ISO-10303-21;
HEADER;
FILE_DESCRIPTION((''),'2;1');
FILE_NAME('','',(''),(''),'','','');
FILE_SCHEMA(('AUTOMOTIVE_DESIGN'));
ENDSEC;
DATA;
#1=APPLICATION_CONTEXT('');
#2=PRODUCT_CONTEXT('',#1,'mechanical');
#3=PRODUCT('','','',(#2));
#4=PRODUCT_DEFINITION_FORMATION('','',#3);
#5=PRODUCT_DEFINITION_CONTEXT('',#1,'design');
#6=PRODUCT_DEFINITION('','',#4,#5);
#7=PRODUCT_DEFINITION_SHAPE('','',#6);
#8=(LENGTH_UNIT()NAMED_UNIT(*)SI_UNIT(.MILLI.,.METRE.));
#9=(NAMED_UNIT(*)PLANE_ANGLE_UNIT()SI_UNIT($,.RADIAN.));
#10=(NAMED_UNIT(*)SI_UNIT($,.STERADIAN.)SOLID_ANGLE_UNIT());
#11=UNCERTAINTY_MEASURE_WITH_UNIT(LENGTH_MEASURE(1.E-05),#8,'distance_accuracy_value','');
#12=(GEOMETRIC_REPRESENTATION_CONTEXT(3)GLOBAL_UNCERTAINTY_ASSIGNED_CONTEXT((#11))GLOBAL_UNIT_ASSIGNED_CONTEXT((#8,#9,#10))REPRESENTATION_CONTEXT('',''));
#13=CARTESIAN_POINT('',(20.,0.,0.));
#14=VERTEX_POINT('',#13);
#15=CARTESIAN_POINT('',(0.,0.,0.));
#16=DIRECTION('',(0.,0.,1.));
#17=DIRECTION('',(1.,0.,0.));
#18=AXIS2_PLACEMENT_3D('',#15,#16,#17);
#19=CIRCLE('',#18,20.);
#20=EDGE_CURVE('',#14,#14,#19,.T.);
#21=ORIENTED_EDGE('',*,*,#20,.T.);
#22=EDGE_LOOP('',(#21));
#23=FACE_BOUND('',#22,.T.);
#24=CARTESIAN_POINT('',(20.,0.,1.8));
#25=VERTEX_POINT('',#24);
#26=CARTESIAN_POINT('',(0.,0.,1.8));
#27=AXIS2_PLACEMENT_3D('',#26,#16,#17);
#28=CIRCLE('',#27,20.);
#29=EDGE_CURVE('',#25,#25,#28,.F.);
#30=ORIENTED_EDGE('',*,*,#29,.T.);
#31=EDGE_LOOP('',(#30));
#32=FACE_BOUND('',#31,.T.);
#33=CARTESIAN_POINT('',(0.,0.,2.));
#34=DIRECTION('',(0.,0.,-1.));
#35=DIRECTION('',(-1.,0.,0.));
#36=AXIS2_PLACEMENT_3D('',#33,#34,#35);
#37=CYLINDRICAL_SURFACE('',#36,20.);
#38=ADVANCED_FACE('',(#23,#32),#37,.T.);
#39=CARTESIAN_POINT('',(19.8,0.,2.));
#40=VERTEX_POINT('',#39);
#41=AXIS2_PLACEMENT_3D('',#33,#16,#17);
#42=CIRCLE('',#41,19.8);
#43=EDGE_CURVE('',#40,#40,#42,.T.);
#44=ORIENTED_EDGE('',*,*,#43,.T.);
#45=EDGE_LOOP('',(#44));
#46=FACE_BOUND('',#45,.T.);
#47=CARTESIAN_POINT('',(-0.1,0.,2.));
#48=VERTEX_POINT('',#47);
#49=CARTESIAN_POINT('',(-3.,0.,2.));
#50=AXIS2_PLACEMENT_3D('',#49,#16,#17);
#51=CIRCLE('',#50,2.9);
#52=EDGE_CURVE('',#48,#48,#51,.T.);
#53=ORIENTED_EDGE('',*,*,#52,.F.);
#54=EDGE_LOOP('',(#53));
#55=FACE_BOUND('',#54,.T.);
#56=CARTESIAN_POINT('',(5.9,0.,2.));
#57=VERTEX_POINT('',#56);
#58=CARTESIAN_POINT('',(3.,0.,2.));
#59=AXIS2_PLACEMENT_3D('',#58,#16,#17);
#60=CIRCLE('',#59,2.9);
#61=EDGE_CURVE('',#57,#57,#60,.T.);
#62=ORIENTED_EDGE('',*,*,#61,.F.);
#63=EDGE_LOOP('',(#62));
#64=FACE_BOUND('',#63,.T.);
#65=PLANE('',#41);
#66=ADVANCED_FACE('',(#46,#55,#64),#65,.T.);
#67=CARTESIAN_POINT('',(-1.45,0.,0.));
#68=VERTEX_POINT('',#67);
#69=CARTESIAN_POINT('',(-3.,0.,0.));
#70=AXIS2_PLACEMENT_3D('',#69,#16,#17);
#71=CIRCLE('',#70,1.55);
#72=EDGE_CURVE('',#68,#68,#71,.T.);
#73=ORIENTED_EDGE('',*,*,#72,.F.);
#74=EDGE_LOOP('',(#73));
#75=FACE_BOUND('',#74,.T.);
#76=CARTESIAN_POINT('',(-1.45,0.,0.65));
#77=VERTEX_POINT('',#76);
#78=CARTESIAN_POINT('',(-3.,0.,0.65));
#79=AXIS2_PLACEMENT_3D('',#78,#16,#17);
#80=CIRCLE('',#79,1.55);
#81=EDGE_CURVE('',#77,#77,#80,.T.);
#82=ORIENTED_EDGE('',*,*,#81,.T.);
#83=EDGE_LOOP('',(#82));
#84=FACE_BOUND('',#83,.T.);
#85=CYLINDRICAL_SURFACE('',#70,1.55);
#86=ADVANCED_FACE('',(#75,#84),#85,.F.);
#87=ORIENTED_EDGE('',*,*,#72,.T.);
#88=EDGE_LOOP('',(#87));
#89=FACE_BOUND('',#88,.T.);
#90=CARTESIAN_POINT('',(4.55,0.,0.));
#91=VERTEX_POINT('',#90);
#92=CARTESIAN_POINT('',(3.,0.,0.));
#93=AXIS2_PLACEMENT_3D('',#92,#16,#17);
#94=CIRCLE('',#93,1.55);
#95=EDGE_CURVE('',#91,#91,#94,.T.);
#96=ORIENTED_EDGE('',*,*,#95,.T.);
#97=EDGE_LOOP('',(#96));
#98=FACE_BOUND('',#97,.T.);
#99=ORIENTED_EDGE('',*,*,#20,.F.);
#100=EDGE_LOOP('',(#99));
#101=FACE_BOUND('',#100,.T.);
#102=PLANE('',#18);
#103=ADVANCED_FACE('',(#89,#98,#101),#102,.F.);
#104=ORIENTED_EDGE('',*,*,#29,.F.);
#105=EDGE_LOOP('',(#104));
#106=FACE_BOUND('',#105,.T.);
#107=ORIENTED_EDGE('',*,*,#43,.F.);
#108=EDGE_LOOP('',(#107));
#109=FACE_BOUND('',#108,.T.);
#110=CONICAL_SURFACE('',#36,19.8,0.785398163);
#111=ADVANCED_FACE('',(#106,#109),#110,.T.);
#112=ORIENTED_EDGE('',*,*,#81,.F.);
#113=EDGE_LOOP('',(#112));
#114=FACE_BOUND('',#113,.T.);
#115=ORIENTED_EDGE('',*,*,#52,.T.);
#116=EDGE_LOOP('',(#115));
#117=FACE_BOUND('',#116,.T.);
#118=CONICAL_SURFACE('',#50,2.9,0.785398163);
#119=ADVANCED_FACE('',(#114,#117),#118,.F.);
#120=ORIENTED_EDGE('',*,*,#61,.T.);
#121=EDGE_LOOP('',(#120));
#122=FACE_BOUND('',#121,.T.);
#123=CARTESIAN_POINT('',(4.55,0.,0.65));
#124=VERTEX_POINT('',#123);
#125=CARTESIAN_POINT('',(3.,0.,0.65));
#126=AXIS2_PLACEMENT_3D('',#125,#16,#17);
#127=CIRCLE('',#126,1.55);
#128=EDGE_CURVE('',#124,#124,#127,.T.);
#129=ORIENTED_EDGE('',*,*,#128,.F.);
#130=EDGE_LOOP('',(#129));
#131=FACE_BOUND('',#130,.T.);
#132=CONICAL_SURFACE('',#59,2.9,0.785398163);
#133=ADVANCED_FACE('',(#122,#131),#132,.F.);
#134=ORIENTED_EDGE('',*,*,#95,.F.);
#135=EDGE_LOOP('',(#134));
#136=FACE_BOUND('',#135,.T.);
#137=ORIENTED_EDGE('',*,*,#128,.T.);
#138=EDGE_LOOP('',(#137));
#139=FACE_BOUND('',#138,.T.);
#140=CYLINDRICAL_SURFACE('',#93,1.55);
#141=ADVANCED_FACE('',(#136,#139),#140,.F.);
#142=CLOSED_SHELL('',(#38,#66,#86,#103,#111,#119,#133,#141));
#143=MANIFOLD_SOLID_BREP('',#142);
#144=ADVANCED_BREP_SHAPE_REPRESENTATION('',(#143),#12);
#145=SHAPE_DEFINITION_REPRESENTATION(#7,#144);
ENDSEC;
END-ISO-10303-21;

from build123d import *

# Parameters (mm, degrees)
SKETCH_1_R                   = 20
EXTRUDE_1_DEPTH              = 2
SKETCH_2_R                   = 1.55
CUT_EXTRUDE_1_DEPTH          = 2
HOLE_WIZARD_M3_1_D           = 3.1
HOLE_WIZARD_M3_1_DEPTH       = 10
HOLE_WIZARD_M3_1_CSINK_D     = 5.8
HOLE_WIZARD_M3_1_CSINK_ANGLE = 90
CHAMFER_1_SIZE               = 0.2


with BuildPart() as part:
    # 草图1 → 凸台-拉伸1 (new body)
    with BuildSketch(Plane.XY):
        Circle(SKETCH_1_R)
    extrude(amount=EXTRUDE_1_DEPTH)

    # 草图2 → 切除-拉伸1 (cut)
    with BuildSketch(Plane.XY.offset(2)):
        with Locations((-3, 0)):
            Circle(SKETCH_2_R)
        with Locations((3, 0)):
            Circle(SKETCH_2_R)
    extrude(amount=-CUT_EXTRUDE_1_DEPTH, mode=Mode.SUBTRACT)

    # M3 六角凹锥坑螺钉的锥形沉头孔1
    with Locations(Plane(origin=(-3, 0, 2), x_dir=(1, 0, 0), z_dir=(0, 0, 1))):
        with Locations((0, 0), (6, 0)):
            CounterSinkHole(HOLE_WIZARD_M3_1_D / 2, HOLE_WIZARD_M3_1_CSINK_D / 2, depth=HOLE_WIZARD_M3_1_DEPTH, counter_sink_angle=HOLE_WIZARD_M3_1_CSINK_ANGLE)

    # 倒角1
    chamfer_1_edges = [part.edges().sort_by_distance(p)[0] for p in [
        (-20, 0, 2),
    ]]
    chamfer(chamfer_1_edges, length=CHAMFER_1_SIZE)


solid = part.part
